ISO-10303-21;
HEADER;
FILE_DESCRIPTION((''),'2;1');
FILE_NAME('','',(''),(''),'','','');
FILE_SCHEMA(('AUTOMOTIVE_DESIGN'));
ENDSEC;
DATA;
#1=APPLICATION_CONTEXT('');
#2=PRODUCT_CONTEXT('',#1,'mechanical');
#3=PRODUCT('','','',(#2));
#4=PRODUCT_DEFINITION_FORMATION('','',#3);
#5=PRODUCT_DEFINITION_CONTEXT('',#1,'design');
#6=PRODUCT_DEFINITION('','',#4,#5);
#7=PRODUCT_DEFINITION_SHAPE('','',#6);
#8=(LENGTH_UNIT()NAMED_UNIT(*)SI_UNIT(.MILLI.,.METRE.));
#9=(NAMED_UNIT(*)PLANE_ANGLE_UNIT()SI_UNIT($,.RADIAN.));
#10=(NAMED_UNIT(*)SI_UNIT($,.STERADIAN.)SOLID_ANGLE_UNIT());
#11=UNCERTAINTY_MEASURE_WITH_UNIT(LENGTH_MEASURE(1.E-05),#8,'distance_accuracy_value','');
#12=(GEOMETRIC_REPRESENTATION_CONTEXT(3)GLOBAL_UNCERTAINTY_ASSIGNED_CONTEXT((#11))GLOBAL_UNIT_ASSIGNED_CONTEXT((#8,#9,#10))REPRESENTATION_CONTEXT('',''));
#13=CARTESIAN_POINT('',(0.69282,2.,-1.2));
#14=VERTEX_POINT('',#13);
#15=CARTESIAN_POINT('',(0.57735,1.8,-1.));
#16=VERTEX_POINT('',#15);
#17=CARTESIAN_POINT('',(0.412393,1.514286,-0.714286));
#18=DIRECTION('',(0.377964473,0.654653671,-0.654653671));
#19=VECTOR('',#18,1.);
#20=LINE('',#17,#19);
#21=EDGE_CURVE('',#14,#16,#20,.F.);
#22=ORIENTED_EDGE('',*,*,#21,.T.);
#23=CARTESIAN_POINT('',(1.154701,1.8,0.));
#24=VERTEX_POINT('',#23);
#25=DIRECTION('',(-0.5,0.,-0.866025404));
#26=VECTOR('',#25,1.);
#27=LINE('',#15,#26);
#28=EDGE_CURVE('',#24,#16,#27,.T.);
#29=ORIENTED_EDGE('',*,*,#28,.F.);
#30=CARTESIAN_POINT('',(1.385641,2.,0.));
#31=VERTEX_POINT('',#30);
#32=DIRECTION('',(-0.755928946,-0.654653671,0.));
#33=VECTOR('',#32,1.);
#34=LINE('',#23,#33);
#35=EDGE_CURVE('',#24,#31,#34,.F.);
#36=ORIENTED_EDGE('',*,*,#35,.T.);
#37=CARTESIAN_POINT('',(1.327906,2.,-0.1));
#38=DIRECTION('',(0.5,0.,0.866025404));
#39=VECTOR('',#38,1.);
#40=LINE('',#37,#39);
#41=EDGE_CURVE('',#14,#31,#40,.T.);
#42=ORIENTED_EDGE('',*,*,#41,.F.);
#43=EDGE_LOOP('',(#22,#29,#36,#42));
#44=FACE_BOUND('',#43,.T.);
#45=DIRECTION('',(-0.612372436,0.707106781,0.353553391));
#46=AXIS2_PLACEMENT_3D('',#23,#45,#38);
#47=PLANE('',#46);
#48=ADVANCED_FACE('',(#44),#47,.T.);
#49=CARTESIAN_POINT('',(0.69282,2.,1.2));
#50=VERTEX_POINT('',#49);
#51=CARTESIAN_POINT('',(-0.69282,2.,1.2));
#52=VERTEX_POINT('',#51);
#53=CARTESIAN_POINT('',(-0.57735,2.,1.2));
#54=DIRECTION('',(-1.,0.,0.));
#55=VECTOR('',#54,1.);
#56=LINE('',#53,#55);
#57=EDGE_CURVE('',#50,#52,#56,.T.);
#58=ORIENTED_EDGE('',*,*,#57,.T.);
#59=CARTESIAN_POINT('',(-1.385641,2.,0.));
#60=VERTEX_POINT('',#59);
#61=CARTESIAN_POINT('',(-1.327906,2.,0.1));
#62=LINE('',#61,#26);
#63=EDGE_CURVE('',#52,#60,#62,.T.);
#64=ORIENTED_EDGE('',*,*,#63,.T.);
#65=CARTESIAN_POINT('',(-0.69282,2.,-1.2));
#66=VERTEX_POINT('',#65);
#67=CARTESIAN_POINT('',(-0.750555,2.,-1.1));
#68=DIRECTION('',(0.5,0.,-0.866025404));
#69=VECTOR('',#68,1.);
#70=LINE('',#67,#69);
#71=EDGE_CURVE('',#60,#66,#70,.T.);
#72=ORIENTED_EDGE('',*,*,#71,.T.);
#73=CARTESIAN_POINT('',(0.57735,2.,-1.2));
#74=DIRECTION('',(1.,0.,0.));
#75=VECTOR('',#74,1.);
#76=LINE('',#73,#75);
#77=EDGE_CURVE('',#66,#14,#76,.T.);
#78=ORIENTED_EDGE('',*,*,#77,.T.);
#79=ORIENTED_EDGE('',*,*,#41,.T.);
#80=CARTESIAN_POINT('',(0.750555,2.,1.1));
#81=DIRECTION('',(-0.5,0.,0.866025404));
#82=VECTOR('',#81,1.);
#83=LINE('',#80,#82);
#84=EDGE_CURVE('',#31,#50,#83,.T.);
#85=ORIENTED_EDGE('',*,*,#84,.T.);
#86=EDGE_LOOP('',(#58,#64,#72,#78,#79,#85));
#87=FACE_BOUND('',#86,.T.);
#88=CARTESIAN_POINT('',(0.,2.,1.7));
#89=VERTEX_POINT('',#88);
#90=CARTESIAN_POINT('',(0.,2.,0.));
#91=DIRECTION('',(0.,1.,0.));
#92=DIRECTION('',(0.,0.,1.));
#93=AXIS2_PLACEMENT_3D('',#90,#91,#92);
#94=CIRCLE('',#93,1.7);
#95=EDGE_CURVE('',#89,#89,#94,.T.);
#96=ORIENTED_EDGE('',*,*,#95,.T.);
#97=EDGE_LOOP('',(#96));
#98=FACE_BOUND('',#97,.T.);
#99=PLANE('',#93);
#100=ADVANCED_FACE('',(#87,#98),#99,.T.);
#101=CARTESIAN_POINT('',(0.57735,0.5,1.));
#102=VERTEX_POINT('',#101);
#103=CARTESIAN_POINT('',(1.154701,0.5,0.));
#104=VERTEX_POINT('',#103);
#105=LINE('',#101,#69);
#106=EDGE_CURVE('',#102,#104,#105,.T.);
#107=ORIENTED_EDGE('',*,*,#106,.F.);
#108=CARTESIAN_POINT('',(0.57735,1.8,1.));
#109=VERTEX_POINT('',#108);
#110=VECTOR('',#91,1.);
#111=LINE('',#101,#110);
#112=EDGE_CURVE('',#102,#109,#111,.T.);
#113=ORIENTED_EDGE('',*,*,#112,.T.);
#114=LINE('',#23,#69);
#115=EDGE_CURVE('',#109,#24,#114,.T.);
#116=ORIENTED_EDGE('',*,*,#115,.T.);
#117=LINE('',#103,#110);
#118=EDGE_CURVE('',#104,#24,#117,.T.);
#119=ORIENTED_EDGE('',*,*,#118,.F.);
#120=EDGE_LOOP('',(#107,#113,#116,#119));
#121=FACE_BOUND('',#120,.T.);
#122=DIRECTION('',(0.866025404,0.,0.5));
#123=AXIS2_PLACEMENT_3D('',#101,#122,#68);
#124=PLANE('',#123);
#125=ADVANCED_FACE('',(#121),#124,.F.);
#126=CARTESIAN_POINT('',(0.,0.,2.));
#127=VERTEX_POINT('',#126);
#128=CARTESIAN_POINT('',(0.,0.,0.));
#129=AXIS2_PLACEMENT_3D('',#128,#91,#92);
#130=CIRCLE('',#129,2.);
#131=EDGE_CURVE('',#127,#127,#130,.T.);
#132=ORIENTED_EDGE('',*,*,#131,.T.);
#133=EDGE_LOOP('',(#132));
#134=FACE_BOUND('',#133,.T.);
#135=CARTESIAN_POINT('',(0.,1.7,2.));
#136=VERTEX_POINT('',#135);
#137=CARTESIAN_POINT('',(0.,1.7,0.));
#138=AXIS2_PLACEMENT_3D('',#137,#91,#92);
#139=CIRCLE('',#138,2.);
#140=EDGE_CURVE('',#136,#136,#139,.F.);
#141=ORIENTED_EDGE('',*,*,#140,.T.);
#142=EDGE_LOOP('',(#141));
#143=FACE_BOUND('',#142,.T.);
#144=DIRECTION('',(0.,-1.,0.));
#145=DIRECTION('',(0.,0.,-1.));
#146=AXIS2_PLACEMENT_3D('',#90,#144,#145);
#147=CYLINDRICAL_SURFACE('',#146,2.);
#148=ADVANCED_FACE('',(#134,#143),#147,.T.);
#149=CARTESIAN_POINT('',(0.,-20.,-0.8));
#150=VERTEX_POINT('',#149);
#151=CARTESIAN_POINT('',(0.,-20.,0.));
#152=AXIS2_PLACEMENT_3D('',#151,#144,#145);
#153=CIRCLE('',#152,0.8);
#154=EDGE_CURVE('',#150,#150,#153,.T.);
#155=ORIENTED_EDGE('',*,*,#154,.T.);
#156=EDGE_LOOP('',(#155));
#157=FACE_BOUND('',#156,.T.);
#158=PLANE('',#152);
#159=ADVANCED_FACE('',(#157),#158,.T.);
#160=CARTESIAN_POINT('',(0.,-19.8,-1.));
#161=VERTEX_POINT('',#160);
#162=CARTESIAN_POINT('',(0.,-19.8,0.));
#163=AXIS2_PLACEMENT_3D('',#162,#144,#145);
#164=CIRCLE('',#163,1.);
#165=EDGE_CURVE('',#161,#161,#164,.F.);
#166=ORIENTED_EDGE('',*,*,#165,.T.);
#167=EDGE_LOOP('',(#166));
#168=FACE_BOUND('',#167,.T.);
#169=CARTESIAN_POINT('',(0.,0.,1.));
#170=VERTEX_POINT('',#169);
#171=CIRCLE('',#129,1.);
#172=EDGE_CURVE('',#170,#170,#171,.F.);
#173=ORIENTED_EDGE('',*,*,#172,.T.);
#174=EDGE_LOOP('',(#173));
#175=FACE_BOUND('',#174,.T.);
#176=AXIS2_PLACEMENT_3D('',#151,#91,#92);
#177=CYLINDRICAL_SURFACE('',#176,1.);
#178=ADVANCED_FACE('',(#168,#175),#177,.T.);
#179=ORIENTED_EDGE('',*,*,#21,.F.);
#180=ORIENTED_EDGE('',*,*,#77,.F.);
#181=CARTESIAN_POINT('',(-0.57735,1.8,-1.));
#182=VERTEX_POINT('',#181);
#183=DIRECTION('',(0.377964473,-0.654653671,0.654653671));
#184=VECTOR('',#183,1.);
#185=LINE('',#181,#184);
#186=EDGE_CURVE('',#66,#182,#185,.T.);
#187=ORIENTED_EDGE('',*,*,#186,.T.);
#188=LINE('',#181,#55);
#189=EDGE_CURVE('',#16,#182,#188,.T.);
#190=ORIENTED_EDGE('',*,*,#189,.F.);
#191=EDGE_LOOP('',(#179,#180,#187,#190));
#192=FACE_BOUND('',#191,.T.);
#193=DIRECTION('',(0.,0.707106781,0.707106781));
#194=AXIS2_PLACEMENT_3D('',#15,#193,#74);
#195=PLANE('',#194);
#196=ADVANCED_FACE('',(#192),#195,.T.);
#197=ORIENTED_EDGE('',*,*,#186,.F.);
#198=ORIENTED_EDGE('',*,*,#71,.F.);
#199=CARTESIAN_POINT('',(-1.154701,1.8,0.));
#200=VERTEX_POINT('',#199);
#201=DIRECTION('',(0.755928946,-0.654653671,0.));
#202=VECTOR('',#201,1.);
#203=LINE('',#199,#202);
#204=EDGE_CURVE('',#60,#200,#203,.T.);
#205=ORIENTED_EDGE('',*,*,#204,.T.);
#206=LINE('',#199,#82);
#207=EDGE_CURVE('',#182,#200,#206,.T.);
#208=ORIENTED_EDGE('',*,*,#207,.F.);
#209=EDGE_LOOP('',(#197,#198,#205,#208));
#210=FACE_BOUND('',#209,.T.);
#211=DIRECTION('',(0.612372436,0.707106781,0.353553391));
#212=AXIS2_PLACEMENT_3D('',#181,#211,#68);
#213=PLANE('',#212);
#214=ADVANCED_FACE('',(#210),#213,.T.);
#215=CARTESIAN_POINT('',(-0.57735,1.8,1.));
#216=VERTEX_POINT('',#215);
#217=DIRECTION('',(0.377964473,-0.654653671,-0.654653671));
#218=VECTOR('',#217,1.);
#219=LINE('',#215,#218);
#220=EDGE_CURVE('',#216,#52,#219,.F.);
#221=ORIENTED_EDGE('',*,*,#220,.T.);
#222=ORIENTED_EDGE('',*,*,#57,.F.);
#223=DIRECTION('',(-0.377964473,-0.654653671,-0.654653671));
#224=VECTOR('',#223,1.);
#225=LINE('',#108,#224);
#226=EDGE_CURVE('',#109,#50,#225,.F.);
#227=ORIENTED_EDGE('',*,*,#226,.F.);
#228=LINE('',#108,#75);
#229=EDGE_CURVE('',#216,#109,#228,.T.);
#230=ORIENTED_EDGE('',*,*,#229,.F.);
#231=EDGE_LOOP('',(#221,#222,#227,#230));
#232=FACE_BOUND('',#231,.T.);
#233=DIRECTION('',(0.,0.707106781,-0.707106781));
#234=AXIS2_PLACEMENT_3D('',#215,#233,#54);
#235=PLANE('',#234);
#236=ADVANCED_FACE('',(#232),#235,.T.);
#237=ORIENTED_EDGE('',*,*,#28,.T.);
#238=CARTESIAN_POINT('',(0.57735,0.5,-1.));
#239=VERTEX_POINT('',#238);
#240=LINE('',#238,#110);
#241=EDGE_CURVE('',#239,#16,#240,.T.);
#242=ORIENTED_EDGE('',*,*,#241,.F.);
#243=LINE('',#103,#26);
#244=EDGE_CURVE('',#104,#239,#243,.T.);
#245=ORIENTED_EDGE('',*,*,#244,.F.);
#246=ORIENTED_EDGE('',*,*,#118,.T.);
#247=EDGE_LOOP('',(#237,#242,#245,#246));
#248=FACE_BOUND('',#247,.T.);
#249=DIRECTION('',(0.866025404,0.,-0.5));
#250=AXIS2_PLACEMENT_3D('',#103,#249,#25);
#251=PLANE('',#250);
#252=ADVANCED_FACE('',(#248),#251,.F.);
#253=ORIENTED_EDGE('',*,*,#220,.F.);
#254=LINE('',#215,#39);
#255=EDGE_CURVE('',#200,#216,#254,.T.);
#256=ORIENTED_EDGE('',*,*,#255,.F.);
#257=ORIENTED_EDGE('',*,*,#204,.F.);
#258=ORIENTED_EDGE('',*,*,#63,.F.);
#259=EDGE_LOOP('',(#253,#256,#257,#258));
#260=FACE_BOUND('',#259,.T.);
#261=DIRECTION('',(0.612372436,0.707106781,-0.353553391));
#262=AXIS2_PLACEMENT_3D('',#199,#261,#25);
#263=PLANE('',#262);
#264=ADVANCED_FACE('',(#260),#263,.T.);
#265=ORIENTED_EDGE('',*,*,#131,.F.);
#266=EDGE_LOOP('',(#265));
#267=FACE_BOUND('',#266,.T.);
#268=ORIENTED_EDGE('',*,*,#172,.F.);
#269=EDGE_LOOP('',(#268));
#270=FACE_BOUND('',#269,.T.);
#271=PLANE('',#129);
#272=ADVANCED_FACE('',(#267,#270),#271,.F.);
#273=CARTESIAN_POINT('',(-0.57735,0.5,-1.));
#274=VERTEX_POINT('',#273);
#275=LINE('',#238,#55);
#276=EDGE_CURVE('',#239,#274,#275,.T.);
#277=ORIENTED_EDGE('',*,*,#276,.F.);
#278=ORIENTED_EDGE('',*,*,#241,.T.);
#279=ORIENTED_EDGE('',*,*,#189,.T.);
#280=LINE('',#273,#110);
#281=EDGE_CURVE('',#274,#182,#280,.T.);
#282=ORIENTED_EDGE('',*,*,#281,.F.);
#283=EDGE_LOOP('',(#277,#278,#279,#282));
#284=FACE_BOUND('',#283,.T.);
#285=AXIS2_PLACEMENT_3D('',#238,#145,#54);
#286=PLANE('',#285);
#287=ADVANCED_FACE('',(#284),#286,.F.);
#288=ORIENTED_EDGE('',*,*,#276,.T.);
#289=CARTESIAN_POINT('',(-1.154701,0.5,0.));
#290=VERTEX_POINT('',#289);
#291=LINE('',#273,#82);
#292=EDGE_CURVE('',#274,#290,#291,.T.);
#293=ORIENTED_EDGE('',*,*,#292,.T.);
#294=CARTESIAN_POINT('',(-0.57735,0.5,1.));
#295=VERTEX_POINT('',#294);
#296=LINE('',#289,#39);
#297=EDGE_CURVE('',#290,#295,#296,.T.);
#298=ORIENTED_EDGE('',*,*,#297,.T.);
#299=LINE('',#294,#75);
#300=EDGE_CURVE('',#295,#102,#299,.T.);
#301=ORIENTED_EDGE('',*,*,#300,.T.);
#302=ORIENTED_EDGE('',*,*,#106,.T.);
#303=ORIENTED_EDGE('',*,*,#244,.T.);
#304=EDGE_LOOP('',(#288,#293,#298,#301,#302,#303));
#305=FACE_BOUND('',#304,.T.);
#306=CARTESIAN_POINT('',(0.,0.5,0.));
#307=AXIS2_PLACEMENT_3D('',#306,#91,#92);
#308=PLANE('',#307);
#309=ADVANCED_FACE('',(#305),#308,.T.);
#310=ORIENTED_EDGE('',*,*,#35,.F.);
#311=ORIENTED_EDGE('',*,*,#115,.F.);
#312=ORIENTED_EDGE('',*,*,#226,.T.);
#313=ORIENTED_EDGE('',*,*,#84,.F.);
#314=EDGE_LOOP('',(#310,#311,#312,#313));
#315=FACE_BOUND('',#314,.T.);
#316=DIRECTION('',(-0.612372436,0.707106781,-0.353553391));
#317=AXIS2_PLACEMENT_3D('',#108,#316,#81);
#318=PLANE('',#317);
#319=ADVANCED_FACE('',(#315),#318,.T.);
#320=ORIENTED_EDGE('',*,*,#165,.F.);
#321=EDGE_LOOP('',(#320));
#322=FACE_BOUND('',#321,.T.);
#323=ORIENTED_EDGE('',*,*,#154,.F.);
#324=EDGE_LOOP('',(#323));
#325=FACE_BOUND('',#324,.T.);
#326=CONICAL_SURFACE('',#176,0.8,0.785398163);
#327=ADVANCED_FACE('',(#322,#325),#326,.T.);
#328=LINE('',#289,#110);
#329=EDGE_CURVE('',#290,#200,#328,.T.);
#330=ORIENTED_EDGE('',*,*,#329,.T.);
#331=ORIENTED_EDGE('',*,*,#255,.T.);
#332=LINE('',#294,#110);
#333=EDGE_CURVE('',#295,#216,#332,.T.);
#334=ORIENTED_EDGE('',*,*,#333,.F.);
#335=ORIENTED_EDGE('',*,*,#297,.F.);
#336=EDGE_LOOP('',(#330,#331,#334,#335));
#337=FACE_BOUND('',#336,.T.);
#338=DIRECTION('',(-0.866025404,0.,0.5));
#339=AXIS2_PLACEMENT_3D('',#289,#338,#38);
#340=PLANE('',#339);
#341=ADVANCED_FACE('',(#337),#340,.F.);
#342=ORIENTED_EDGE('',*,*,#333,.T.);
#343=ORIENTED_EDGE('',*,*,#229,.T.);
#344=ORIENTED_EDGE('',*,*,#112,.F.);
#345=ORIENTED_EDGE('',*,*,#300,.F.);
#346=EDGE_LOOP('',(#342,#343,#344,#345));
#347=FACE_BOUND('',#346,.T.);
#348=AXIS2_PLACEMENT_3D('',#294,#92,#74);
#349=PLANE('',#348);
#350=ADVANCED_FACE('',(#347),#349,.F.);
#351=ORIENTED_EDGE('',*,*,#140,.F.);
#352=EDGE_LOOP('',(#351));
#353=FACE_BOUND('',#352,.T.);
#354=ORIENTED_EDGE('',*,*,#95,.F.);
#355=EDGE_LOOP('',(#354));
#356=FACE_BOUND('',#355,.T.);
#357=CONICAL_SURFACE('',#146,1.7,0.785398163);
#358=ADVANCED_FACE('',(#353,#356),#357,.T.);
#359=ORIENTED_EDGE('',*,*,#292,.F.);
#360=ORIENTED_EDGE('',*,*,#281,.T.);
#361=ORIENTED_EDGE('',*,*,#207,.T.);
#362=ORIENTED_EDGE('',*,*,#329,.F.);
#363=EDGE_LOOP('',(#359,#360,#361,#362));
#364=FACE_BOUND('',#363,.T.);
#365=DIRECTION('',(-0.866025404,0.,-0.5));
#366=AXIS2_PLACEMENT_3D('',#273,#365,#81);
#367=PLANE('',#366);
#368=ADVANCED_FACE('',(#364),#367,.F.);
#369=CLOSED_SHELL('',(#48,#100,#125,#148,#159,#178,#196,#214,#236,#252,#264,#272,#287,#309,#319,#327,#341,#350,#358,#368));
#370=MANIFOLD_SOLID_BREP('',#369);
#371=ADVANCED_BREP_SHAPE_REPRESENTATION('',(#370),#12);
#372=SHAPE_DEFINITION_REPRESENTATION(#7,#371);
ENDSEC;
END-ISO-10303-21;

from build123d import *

# Parameters (mm, degrees)
SKETCH1_R           = 2
BOSS_EXTRUDE1_DEPTH = 2
CHAMFER1_SIZE       = 0.3
CUT_EXTRUDE1_DEPTH  = 1.5
CHAMFER2_SIZE       = 0.2
SKETCH3_R           = 1
BOSS_EXTRUDE2_DEPTH = 20
CHAMFER3_SIZE       = 0.2


with BuildPart() as part:
    # Sketch1 → Boss-Extrude1 (new body)
    with BuildSketch(Plane(origin=(0, 0, 0), x_dir=(1, 0, 0), z_dir=(0, 1, 0))):
        with Locations(Location((0, 0, 0), (0, 0, 270))):  # turned: the seam where the file's is
            Circle(SKETCH1_R)
    extrude(amount=BOSS_EXTRUDE1_DEPTH)

    # Chamfer1
    chamfer1_edges = [part.edges().sort_by_distance(p)[0] for p in [
        (0, 2, -2),
    ]]
    chamfer(chamfer1_edges, length=CHAMFER1_SIZE)

    # Sketch2 → Cut-Extrude1 (cut)
    with BuildSketch(Plane(origin=(0, 2, 0), x_dir=(1, 0, 0), z_dir=(0, 1, 0))):
        Polygon((1.154700538, 0), (0.577350269, 1), (-0.577350269, 1), (-1.154700538, 0), (-0.577350269, -1), (0.577350269, -1), align=None)
    extrude(amount=-CUT_EXTRUDE1_DEPTH, mode=Mode.SUBTRACT)

    # Chamfer2
    chamfer2_edges = [part.edges().sort_by_distance(p)[0] for p in [
        (0.866025404, 2, 0.5),
        (0.866025404, 2, -0.5),
        (0, 2, -1),
        (-0.866025404, 2, -0.5),
        (-0.866025404, 2, 0.5),
        (0, 2, 1),
    ]]
    chamfer(chamfer2_edges, length=CHAMFER2_SIZE)

    # Sketch3 → Boss-Extrude2 (add)
    with BuildSketch(Plane.XZ):
        with Locations(Location((0, 0, 0), (0, 0, 90))):  # turned: the seam where the file's is
            Circle(SKETCH3_R)
    extrude(amount=BOSS_EXTRUDE2_DEPTH)

    # Chamfer3
    chamfer3_edges = [part.edges().sort_by_distance(p)[0] for p in [
        (0, -20, -1),
    ]]
    chamfer(chamfer3_edges, length=CHAMFER3_SIZE)


solid = part.part
